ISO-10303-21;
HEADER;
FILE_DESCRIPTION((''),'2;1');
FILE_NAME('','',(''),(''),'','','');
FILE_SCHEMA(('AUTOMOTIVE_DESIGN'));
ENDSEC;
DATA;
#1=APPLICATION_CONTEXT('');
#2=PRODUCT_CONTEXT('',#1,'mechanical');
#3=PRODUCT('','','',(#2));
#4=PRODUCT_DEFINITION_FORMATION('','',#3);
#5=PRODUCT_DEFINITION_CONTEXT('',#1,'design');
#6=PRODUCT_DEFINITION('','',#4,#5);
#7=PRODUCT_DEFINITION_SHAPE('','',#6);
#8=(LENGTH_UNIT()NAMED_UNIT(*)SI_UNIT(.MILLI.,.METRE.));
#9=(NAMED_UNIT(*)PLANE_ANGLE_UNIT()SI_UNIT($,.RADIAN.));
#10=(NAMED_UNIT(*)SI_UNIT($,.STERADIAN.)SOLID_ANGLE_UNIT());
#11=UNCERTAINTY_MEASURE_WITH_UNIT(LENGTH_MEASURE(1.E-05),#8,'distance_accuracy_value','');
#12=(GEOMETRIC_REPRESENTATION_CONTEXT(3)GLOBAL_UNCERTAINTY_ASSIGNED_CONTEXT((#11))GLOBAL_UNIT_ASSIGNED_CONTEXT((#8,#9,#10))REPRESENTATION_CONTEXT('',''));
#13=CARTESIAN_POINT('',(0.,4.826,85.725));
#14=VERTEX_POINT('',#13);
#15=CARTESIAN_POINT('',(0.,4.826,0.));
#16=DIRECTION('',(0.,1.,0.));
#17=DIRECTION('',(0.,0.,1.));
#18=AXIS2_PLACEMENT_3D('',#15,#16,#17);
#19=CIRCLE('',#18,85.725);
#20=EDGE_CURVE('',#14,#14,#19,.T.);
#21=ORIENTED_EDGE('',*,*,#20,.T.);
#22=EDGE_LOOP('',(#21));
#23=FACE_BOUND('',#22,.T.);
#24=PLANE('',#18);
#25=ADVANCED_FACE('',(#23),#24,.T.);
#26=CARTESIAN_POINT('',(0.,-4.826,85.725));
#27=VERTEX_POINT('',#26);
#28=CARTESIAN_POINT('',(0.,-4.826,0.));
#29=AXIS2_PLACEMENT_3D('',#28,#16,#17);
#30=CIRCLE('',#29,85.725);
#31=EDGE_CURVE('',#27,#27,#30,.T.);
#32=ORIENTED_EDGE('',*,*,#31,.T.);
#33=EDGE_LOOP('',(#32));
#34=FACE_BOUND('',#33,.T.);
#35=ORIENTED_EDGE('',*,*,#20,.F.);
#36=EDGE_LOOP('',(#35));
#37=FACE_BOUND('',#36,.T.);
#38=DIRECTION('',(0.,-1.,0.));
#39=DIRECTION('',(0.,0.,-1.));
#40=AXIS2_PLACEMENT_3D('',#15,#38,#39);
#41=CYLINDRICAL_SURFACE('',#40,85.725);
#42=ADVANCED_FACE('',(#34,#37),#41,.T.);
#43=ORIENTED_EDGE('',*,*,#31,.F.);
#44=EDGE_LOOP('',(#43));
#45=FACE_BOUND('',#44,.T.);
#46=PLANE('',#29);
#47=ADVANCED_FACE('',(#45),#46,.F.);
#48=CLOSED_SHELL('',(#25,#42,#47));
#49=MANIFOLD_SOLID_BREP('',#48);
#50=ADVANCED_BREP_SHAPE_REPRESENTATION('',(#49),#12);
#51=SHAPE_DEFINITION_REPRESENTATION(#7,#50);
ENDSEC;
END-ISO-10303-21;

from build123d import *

# Parameters (mm, degrees)
SKETCH1_R           = 85.725
BOSS_EXTRUDE1_DEPTH = 4.826


with BuildPart() as part:
    # Sketch1 → Boss-Extrude1 (new, symmetric)
    with BuildSketch(Plane(origin=(0, 0, 0), x_dir=(1, 0, 0), z_dir=(0, 1, 0))):
        with Locations(Location((0, 0, 0), (0, 0, 270))):
            Circle(SKETCH1_R)
    extrude(amount=BOSS_EXTRUDE1_DEPTH, both=True)


solid = part.part
